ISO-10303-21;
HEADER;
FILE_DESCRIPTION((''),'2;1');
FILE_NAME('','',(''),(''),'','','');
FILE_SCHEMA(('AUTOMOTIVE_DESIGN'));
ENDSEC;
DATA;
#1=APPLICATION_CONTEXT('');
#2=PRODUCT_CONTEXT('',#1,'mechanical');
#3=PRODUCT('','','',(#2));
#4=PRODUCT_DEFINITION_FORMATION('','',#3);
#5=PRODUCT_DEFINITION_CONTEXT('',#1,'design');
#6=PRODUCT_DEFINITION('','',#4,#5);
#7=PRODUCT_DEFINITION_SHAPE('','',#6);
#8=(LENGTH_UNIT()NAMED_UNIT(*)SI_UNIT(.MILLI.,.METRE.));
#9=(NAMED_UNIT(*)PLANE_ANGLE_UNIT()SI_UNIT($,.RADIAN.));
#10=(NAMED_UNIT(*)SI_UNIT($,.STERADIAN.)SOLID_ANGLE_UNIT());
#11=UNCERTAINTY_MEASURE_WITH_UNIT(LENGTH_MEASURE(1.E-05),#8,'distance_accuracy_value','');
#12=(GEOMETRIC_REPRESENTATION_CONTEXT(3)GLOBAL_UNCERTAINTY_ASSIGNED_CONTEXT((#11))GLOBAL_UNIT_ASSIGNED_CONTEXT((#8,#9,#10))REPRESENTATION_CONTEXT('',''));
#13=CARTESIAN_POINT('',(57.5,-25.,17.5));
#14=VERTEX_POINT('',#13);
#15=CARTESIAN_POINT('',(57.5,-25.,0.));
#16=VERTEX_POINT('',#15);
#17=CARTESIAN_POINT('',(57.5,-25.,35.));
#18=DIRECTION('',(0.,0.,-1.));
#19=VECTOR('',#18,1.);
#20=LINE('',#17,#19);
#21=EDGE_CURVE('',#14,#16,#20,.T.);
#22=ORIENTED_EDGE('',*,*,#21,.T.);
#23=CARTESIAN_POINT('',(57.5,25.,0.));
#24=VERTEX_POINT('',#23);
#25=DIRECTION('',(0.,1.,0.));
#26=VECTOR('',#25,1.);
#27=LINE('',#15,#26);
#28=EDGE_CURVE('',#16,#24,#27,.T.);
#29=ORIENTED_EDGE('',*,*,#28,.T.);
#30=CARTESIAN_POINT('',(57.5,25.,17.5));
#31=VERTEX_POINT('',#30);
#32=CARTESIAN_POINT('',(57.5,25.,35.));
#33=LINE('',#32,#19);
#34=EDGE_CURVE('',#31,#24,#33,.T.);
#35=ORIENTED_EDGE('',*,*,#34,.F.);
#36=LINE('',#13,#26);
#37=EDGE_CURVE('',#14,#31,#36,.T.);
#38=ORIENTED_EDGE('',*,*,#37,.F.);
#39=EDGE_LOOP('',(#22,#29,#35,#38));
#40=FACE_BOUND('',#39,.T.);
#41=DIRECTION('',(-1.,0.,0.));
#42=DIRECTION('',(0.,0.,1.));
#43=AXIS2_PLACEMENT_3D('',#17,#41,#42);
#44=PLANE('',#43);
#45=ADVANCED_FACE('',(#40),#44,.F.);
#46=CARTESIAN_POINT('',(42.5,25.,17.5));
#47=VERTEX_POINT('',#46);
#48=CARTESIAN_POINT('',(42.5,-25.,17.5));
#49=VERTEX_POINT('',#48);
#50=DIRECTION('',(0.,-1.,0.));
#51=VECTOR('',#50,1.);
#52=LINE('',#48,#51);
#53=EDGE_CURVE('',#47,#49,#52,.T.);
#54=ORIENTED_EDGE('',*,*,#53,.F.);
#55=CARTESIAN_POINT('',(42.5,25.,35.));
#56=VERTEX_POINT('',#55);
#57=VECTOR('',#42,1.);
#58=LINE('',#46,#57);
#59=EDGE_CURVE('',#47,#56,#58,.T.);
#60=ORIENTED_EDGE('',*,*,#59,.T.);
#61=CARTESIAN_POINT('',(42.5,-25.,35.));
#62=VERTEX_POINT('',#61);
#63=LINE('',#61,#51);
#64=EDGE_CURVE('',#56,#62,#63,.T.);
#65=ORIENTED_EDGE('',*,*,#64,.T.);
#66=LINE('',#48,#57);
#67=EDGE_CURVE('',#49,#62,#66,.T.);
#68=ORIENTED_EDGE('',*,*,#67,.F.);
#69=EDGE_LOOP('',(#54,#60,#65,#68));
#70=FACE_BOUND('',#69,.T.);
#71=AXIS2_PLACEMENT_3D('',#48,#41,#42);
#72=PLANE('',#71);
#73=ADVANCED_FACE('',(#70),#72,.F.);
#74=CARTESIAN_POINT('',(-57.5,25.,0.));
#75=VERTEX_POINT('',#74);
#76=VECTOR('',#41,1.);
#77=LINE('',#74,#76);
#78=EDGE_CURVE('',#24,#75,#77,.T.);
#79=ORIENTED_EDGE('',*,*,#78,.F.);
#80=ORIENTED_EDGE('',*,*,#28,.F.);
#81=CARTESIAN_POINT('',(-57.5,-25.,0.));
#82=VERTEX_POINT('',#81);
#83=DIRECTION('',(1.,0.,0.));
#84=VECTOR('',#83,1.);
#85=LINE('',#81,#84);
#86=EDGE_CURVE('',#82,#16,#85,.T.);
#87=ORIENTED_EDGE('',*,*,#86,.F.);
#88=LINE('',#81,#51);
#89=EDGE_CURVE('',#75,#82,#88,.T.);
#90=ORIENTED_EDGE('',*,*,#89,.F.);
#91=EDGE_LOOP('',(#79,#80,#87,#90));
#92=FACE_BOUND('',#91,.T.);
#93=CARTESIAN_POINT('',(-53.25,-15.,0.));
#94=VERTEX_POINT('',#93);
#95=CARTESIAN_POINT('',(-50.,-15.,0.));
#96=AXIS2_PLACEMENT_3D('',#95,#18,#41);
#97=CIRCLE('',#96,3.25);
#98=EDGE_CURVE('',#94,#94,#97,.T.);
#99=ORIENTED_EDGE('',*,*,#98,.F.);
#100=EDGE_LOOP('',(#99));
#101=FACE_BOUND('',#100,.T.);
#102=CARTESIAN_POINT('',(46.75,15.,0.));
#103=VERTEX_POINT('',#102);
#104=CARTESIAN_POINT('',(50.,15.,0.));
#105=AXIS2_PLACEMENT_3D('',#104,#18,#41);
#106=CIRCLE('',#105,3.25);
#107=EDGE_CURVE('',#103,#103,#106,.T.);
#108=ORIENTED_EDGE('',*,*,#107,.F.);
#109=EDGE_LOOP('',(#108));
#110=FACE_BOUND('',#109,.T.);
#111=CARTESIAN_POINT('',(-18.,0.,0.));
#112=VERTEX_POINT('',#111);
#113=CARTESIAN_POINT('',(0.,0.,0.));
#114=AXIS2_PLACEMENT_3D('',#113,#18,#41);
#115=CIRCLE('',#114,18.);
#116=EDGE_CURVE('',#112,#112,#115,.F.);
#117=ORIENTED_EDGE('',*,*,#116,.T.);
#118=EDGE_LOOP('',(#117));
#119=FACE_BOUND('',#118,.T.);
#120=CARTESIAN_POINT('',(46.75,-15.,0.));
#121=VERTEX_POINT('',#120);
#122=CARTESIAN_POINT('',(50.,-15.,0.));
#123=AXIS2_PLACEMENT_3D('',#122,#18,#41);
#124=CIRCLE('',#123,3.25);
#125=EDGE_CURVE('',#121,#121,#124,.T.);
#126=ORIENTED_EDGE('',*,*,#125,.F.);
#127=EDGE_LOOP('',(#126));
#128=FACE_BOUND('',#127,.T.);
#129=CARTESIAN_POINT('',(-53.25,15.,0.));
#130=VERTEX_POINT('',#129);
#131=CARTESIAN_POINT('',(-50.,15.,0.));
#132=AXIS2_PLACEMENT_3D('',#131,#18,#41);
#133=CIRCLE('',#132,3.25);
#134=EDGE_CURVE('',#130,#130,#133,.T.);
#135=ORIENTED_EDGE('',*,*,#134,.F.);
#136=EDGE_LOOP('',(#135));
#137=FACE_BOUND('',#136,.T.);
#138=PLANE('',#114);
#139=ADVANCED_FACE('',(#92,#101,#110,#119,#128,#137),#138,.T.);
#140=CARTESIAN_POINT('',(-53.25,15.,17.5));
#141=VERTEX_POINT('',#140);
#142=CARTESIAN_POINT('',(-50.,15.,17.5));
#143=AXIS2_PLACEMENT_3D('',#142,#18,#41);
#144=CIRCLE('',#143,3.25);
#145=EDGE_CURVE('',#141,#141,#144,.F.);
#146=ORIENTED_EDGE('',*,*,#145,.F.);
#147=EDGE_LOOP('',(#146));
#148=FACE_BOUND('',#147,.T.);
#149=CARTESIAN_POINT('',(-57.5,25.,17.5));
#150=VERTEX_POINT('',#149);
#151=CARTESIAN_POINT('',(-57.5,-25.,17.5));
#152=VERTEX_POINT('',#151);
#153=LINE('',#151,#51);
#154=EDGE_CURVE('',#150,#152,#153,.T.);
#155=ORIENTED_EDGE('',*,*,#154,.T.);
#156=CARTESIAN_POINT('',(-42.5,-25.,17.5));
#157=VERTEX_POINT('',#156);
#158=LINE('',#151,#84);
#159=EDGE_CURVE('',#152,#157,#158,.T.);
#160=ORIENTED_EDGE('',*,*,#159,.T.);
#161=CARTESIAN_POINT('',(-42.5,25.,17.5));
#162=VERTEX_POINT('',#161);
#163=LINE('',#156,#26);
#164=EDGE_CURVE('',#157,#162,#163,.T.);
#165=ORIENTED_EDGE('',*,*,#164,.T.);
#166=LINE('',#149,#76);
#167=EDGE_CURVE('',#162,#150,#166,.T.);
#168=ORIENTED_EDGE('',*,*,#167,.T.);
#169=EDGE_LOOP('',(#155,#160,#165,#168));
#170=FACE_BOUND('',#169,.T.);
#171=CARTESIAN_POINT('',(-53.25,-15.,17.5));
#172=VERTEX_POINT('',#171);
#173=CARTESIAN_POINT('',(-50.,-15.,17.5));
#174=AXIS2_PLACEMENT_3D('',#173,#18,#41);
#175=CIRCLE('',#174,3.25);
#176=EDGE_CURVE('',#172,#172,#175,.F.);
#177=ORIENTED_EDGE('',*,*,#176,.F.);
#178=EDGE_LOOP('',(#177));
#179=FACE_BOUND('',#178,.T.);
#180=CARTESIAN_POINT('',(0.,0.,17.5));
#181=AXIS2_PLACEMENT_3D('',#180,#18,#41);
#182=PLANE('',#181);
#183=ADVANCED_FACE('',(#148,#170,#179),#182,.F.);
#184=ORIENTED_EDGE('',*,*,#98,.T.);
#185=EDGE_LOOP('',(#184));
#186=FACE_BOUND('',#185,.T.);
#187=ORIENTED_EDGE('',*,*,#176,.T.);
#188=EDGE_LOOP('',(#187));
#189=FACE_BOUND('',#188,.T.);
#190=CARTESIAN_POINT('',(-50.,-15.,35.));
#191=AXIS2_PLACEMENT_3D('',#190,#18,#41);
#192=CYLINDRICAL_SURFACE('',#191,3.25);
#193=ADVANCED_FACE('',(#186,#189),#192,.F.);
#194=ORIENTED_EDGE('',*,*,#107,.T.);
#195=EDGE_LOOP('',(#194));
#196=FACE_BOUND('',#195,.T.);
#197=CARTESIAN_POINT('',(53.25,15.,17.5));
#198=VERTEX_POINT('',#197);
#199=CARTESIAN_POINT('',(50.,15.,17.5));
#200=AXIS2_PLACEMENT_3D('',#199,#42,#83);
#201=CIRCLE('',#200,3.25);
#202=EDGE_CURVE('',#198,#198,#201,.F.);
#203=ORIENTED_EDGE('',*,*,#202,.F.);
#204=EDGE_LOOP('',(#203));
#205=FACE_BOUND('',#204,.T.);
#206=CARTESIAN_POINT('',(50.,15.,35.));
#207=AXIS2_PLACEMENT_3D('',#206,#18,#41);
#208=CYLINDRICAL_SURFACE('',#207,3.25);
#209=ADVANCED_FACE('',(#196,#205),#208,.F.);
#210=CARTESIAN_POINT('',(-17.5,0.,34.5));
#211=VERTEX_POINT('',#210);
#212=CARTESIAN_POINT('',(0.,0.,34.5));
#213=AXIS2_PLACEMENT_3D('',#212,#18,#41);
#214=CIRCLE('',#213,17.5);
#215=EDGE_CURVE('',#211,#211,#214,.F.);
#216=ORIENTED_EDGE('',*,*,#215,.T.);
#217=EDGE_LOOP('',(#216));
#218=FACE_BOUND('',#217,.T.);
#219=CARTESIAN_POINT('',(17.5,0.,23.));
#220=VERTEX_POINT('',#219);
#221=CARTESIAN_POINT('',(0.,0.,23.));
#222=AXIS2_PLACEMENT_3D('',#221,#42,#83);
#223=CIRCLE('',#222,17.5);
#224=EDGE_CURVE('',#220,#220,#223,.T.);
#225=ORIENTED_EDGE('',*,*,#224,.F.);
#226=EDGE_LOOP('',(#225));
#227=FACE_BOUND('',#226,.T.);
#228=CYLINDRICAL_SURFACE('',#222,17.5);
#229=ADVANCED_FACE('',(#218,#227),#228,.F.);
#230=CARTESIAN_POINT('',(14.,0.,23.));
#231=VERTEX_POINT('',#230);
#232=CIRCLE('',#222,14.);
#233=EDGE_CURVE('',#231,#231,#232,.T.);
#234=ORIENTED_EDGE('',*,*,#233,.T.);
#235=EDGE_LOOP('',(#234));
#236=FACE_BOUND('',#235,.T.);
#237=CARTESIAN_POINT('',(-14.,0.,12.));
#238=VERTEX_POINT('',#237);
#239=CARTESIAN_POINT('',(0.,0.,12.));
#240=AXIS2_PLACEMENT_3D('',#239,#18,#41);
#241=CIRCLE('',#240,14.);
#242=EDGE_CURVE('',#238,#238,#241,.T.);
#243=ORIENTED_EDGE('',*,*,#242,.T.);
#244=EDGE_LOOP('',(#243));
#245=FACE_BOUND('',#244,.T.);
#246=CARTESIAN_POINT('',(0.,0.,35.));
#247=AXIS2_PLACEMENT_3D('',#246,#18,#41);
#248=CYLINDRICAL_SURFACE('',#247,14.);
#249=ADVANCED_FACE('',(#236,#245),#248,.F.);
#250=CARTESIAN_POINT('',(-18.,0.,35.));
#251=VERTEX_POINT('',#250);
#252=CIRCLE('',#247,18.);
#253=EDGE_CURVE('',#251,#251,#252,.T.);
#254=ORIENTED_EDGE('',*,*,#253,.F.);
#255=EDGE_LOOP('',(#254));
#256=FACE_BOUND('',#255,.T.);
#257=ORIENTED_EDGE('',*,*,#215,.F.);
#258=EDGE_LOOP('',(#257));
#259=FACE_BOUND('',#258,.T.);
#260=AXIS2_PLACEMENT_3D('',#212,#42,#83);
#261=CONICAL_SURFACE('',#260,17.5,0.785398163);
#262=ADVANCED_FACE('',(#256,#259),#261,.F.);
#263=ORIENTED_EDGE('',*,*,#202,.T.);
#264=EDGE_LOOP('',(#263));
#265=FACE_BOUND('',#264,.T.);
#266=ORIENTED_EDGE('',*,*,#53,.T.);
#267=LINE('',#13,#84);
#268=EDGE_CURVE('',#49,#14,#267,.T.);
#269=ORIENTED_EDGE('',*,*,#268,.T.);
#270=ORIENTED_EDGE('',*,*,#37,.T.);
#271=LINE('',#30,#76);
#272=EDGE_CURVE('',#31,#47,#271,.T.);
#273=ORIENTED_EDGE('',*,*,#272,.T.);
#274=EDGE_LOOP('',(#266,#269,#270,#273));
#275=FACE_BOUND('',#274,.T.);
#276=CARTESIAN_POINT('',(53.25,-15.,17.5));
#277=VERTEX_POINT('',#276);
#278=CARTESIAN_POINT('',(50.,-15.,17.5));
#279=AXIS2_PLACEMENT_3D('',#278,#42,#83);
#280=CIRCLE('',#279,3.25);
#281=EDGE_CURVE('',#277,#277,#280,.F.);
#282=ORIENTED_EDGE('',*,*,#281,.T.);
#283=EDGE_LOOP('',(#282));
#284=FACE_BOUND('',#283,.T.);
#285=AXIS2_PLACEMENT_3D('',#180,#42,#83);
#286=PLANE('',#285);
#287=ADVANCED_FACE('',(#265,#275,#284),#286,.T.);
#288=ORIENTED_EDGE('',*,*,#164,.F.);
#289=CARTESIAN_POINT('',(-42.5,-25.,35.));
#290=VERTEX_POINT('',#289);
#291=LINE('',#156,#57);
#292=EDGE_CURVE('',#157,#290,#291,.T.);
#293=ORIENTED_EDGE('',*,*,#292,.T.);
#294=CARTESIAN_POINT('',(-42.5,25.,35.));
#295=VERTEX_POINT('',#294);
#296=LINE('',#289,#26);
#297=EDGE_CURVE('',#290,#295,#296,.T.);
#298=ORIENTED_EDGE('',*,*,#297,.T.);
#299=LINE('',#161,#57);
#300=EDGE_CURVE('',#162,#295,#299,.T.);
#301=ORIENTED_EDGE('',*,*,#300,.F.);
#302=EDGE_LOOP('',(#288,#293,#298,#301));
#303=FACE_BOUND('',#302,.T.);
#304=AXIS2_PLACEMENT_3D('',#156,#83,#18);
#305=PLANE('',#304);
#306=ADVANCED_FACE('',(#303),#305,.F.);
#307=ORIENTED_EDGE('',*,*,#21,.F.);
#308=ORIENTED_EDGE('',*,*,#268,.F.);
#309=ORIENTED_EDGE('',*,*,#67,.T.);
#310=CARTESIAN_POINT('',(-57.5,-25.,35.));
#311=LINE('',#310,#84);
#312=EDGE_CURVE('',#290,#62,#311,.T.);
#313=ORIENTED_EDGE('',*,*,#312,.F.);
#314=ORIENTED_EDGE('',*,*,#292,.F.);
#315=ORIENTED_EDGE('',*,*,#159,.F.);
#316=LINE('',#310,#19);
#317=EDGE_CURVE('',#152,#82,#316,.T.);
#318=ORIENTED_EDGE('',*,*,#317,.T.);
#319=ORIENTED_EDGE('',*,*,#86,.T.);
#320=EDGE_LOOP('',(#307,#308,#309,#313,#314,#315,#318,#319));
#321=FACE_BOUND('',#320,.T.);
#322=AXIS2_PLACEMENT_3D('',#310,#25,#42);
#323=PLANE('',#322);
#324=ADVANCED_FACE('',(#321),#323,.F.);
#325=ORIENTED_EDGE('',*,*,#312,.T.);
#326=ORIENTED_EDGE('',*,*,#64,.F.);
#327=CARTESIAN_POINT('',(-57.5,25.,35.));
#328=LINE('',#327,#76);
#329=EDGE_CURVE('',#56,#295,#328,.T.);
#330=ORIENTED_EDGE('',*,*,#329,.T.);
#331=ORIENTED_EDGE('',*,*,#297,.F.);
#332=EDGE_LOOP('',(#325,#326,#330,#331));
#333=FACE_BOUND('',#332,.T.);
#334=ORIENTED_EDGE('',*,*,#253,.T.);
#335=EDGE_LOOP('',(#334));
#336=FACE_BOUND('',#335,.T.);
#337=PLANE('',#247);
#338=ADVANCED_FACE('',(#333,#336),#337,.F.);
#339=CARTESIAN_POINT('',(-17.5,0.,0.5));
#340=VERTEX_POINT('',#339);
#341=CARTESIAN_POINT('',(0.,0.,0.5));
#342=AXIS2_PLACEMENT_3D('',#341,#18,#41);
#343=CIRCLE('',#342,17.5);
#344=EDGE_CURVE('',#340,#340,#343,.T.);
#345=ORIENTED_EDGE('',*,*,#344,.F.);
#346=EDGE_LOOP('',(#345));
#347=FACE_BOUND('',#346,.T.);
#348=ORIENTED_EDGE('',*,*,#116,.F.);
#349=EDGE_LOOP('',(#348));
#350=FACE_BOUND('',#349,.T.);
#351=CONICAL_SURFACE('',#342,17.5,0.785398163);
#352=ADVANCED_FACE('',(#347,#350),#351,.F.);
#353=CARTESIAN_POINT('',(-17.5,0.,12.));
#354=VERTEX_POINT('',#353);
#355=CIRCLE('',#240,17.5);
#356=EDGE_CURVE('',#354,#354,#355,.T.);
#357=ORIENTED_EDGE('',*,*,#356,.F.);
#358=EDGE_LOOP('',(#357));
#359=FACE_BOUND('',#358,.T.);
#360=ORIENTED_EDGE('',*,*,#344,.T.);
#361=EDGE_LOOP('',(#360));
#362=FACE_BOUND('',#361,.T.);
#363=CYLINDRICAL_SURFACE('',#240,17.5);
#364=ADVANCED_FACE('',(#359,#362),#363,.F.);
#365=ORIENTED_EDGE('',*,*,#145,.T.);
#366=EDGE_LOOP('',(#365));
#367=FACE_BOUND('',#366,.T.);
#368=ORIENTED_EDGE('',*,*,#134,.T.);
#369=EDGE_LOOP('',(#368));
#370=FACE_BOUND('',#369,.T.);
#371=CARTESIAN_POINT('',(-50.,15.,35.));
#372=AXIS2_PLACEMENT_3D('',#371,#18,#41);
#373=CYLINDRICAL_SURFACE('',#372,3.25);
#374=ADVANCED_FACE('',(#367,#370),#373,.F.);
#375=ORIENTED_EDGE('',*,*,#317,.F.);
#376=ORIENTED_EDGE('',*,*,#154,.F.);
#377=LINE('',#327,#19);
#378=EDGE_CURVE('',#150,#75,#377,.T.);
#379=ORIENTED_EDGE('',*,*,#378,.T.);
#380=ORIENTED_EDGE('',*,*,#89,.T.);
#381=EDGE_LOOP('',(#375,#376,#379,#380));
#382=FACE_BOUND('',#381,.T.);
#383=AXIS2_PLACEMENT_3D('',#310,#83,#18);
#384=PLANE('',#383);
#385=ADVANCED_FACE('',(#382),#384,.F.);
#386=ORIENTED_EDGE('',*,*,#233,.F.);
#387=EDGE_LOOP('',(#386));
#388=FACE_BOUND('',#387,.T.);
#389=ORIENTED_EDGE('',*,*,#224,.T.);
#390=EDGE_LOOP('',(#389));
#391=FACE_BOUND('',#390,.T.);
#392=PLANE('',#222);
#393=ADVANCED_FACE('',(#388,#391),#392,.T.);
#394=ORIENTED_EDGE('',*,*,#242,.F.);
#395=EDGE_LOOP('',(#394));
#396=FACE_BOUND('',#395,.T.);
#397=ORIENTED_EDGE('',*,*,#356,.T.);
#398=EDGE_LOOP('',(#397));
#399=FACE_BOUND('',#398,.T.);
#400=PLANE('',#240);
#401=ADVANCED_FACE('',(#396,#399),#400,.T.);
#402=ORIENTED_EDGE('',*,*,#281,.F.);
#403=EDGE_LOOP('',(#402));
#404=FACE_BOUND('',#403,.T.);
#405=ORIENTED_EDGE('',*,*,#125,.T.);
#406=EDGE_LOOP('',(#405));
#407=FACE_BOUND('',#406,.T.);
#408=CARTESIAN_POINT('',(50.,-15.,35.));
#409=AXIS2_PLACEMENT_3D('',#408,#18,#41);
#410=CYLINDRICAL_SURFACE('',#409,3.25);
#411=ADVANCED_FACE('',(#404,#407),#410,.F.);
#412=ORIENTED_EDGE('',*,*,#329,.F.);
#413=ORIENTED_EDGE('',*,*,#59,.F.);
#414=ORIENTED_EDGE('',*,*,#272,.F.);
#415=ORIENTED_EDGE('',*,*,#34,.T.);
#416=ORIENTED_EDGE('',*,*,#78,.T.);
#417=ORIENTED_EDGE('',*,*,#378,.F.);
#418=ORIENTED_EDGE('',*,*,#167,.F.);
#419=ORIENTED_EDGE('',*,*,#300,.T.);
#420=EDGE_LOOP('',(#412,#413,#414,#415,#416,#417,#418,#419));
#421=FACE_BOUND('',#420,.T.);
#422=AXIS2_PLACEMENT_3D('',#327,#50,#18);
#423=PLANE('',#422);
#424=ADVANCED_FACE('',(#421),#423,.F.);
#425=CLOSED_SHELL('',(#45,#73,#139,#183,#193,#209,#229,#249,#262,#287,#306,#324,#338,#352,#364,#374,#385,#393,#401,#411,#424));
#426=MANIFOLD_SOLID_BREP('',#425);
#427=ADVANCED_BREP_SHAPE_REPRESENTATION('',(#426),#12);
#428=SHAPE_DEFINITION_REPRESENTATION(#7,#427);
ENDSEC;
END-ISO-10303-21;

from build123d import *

# Parameters (mm, degrees)
SZKIC1_W                    = 115
SZKIC1_H                    = 50
SZKIC1_R                    = 14
DODANIE_WYCI_GNI_CIE1_DEPTH = 35
SZKIC2_R                    = 17.5
WYTNIJ_WYCI_GNI_CIE1_DEPTH  = 12
SZKIC3_R                    = 17.5
WYTNIJ_WYCI_GNI_CIE2_DEPTH  = 12
SZKIC4_R                    = 3.25
WYTNIJ_WYCI_GNI_CIE3_DEPTH  = 36
SZKIC5_W                    = 15
SZKIC5_H                    = 50
WYTNIJ_WYCI_GNI_CIE4_DEPTH  = 17.5
SFAZOWANIE1_SIZE            = 0.5


with BuildPart() as part:
    # Szkic1 → Dodanie-wyciągnięcie1 (new body)
    with BuildSketch(Plane.XY):
        Rectangle(SZKIC1_W, SZKIC1_H)
        Circle(SZKIC1_R, mode=Mode.SUBTRACT)
    extrude(amount=DODANIE_WYCI_GNI_CIE1_DEPTH)

    # Szkic2 → Wytnij-wyciągnięcie1 (cut)
    with BuildSketch(Plane.XY.offset(35)):
        Circle(SZKIC2_R)
    extrude(amount=-WYTNIJ_WYCI_GNI_CIE1_DEPTH, mode=Mode.SUBTRACT)

    # Szkic3 → Wytnij-wyciągnięcie2 (cut)
    with BuildSketch(Plane(origin=(0, 0, 0), x_dir=(-1, 0, 0), z_dir=(0, 0, -1))):
        Circle(SZKIC3_R)
    extrude(amount=-WYTNIJ_WYCI_GNI_CIE2_DEPTH, mode=Mode.SUBTRACT)

    # Szkic4 → Wytnij-wyciągnięcie3 (cut, through all)
    with BuildSketch(Plane(origin=(0, 0, 0), x_dir=(-1, 0, 0), z_dir=(0, 0, -1))):
        with Locations((-50, 15)):
            Circle(SZKIC4_R)
        with Locations((-50, -15)):
            Circle(SZKIC4_R)
        with Locations((50, 15)):
            Circle(SZKIC4_R)
        with Locations((50, -15)):
            Circle(SZKIC4_R)
    extrude(amount=-WYTNIJ_WYCI_GNI_CIE3_DEPTH, mode=Mode.SUBTRACT)

    # Szkic5 → Wytnij-wyciągnięcie4 (cut)
    with BuildSketch(Plane.XY.offset(35)):
        with Locations((50, 0)):
            Rectangle(SZKIC5_W, SZKIC5_H)
        with Locations((-50, 0)):
            Rectangle(SZKIC5_W, SZKIC5_H)
    extrude(amount=-WYTNIJ_WYCI_GNI_CIE4_DEPTH, mode=Mode.SUBTRACT)

    # Sfazowanie1
    sfazowanie1_edges = [part.edges().sort_by_distance(p)[0] for p in [
        (-17.5, 0, 35),
        (17.5, 0, 0),
    ]]
    chamfer(sfazowanie1_edges, length=SFAZOWANIE1_SIZE)


solid = part.part
